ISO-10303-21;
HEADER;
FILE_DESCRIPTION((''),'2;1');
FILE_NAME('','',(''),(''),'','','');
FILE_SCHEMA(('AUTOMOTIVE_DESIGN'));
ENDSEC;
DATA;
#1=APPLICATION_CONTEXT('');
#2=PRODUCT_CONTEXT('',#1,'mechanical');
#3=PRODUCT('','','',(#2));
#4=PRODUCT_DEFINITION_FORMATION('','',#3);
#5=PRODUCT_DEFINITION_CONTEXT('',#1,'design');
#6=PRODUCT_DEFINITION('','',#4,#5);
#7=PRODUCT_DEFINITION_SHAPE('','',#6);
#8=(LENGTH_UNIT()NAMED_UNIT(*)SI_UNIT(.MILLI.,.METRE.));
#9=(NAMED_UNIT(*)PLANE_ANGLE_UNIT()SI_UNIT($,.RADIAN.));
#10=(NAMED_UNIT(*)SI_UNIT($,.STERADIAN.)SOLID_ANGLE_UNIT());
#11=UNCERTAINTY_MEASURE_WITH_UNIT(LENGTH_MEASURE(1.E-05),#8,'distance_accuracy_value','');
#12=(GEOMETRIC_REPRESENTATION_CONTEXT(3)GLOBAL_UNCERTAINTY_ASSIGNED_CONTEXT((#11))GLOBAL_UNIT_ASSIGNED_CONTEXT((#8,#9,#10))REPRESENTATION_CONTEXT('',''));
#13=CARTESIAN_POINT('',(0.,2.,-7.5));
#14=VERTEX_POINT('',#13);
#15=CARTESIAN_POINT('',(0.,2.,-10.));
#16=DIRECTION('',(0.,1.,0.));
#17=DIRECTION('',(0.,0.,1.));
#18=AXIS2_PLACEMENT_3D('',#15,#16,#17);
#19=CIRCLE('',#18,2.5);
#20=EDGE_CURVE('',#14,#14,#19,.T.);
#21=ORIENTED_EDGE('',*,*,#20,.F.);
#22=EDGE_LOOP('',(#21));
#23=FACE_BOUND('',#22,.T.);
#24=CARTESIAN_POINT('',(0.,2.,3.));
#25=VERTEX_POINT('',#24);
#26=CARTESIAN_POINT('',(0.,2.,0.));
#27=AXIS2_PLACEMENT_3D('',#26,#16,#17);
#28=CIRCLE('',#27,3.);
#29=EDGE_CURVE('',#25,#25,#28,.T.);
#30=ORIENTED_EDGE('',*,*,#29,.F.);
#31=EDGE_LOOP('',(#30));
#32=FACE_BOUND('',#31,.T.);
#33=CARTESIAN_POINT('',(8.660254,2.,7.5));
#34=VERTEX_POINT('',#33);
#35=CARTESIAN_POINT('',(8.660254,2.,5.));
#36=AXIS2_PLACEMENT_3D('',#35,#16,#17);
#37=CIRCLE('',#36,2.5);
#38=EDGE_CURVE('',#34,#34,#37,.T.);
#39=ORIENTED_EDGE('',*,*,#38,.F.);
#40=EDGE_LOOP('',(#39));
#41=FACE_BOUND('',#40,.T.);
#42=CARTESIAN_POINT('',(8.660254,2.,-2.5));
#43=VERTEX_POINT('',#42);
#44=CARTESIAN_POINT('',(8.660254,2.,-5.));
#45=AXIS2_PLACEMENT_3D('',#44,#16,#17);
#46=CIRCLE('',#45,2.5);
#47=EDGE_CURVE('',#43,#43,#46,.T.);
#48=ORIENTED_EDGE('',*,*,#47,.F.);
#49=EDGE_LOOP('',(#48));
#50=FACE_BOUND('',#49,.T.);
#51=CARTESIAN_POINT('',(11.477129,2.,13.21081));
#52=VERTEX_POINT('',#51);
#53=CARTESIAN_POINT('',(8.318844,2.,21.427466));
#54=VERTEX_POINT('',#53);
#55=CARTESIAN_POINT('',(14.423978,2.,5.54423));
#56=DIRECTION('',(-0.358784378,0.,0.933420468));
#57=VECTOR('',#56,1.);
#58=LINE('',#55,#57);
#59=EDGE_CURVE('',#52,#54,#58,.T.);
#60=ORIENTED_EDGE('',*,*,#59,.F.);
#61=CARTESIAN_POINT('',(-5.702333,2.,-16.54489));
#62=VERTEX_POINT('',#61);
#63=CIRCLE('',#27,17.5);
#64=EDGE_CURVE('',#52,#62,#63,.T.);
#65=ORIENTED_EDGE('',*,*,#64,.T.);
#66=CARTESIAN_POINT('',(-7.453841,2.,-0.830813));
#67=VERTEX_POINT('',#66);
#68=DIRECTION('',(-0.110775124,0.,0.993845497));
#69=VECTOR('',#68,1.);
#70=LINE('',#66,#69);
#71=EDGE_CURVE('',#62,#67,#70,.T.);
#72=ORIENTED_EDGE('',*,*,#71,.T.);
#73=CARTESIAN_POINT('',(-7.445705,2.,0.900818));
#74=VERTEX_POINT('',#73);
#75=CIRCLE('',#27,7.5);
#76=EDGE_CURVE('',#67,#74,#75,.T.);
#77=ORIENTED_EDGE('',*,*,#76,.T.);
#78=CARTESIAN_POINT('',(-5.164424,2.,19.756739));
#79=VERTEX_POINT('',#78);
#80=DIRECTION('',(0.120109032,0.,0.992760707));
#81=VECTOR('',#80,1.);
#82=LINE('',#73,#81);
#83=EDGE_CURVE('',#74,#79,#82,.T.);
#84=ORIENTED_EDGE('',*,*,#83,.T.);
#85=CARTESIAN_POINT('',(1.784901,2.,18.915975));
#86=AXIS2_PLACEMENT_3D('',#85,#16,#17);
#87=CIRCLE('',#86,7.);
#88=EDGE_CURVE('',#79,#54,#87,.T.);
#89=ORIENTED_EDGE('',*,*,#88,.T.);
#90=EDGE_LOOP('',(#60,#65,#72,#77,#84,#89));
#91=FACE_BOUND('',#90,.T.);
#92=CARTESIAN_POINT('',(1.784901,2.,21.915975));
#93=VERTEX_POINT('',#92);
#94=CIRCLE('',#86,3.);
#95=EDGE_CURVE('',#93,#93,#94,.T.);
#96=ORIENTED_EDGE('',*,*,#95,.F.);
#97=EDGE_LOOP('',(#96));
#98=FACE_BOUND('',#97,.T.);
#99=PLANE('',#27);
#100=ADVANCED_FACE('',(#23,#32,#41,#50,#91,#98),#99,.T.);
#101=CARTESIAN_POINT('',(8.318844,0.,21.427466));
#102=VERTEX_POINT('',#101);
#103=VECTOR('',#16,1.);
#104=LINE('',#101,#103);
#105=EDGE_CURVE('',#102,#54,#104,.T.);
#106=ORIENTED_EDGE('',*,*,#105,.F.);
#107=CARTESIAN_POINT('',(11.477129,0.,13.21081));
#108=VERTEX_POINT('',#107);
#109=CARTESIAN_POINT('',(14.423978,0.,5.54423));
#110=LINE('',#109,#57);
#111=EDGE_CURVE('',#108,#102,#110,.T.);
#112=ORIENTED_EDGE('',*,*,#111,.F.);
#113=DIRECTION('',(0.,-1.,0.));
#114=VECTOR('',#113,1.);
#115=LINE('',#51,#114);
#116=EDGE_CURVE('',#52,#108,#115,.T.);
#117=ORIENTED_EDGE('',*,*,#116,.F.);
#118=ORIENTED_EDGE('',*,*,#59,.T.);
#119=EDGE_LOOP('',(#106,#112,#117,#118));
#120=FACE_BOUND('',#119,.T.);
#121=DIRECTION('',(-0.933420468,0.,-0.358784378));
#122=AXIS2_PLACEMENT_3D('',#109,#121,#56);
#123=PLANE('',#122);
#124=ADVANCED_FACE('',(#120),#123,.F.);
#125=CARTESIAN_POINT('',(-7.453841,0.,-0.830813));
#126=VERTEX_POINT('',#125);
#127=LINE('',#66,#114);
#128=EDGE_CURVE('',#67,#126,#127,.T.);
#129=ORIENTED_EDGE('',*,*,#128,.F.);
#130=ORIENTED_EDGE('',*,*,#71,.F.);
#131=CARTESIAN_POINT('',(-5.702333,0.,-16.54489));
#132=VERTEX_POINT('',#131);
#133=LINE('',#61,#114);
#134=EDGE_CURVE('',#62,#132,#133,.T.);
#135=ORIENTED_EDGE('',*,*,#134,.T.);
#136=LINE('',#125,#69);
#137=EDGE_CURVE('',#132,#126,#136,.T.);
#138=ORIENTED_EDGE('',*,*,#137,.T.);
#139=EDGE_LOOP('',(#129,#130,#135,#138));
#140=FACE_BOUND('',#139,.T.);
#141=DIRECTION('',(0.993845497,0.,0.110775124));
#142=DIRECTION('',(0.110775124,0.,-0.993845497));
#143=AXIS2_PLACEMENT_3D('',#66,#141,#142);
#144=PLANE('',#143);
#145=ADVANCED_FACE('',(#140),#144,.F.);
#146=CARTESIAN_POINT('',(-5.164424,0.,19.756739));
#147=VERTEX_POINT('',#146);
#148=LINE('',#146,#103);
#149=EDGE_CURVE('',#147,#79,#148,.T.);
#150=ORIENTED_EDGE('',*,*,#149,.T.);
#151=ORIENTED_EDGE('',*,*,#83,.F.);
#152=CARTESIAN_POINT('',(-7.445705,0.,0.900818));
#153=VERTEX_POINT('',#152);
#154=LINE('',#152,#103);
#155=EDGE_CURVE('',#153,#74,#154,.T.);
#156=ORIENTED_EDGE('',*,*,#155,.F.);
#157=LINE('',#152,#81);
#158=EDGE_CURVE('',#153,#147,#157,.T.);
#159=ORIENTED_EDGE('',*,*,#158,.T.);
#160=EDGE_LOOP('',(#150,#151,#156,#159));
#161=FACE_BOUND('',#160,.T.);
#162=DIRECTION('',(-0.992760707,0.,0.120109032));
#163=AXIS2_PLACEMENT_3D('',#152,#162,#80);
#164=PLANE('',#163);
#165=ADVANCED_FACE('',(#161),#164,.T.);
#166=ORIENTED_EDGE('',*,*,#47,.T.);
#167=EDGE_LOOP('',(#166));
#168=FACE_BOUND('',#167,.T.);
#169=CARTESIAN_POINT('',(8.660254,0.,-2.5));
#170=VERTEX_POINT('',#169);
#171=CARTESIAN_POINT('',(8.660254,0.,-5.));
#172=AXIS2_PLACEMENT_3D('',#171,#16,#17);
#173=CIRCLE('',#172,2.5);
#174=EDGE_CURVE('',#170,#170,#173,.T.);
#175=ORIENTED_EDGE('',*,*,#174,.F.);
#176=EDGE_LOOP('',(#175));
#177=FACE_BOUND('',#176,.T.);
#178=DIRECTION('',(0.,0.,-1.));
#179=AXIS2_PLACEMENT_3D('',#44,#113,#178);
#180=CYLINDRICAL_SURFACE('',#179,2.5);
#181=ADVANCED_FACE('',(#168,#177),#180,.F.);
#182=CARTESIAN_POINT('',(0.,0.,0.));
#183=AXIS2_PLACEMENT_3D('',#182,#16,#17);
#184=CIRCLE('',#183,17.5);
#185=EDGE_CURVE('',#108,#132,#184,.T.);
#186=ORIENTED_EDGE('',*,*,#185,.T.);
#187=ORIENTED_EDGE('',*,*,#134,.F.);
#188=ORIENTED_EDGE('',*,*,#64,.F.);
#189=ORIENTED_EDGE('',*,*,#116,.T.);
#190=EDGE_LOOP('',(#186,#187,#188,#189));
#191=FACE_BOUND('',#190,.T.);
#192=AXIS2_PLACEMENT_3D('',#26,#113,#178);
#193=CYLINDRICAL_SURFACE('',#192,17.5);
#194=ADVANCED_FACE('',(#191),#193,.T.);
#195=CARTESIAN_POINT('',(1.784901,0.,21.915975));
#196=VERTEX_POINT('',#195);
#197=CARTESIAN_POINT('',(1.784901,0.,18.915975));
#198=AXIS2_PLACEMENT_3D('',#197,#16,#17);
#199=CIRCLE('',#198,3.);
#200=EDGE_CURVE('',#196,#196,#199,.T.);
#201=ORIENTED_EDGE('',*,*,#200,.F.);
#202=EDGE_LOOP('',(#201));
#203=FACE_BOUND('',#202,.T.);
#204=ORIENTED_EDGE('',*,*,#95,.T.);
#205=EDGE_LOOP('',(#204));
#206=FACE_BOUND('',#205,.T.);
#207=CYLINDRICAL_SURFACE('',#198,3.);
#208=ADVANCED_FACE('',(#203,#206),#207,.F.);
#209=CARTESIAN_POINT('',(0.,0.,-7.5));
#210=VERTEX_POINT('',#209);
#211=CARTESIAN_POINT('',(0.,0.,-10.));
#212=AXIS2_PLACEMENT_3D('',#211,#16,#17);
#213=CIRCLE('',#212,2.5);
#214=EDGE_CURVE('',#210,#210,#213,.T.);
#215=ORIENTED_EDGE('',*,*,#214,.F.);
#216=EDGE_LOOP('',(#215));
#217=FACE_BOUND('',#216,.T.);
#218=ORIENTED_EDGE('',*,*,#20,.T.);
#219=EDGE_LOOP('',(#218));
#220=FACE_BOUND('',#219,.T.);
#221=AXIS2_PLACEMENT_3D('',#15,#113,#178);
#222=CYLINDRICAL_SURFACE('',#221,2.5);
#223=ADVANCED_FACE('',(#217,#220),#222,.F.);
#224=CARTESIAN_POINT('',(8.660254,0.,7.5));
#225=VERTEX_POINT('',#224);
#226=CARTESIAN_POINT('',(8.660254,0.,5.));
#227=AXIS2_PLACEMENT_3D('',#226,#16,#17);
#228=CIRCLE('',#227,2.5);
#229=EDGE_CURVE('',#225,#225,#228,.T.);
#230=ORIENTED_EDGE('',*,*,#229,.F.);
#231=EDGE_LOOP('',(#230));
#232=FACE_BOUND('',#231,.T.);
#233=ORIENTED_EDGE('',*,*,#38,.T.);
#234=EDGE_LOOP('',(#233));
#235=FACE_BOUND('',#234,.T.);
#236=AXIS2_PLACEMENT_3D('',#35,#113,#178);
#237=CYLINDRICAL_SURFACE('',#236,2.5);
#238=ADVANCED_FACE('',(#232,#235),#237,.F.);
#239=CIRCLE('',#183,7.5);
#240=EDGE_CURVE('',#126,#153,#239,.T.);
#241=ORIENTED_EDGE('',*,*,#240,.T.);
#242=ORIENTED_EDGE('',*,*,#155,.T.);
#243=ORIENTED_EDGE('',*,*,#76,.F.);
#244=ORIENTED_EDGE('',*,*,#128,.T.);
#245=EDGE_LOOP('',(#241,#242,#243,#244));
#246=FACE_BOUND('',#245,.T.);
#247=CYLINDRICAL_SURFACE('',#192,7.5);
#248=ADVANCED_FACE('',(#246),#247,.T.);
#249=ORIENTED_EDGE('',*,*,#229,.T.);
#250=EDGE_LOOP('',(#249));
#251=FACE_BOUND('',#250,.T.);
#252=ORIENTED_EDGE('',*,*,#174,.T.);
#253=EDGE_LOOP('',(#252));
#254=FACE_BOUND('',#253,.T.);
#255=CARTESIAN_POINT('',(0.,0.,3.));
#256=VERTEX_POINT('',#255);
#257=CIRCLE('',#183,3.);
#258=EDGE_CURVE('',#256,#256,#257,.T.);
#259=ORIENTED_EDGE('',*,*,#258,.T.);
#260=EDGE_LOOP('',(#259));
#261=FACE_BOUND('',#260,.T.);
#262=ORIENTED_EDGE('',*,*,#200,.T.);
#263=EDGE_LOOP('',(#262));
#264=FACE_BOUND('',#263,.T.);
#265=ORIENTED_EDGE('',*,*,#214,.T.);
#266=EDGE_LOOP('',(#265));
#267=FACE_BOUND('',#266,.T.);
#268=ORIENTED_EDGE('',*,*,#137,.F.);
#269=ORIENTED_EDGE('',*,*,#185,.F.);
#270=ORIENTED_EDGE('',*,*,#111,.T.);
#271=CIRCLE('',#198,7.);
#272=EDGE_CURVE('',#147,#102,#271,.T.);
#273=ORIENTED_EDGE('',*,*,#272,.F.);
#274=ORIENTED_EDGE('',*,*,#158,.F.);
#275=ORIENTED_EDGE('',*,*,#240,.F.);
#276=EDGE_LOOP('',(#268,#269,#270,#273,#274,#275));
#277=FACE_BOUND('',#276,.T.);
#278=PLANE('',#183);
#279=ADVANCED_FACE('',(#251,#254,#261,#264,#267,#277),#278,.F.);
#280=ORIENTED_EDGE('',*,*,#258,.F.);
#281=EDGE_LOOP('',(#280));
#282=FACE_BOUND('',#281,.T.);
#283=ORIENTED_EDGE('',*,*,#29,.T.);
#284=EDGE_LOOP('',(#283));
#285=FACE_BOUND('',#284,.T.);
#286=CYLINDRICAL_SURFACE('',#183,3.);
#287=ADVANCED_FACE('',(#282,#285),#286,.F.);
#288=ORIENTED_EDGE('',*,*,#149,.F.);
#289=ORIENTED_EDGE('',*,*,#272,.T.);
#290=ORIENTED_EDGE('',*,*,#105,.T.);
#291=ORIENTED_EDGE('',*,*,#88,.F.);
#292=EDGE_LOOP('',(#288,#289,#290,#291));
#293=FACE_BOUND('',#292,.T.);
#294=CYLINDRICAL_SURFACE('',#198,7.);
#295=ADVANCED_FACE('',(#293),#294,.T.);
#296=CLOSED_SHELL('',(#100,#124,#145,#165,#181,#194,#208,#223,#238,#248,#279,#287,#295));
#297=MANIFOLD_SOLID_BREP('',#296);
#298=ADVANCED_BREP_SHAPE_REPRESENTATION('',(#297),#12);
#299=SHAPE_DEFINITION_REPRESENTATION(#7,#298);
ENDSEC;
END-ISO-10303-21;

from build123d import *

# Parameters (mm, degrees)
SKETCH_1_R          = 7.5
EXTRUDE_1_DEPTH     = 2
EXTRUDE_START       = -2
SKETCH_2_R          = 3
EXTRUDE_2_DEPTH     = 2
SKETCH_3_R          = 3
CUT_EXTRUDE_1_DEPTH = 2


with BuildPart() as part:
    # 草图1 → 凸台-拉伸1 (new body)
    # profile 1 of 2: a face of its own
    with BuildSketch(Plane(origin=(0, 0, 0), x_dir=(1, 0, 0), z_dir=(0, 1, 0))):
        Circle(SKETCH_1_R)
    # profile 2 of 2: a face of its own
    with BuildSketch(Plane(origin=(0, 0, 0), x_dir=(1, 0, 0), z_dir=(0, 1, 0))):
        with BuildLine():
            ThreePointArc((17.5, 0), (10.160196291, 14.248523128), (-5.702332724, 16.544890495))
            Line((-5.702332724, 16.544890495), (-7.453841227, 0.830813432))
            ThreePointArc((-7.453841227, 0.830813432), (-5.000944874, 5.589324679), (0, 7.5))
            ThreePointArc((0, 7.5), (3.750000007, 6.495190524), (6.495190536, 3.749999986))
            ThreePointArc((6.495190536, 3.749999986), (7.244443699, 1.94114283), (7.5, 0))
            ThreePointArc((7.5, 0), (7.244443692, -1.941142857), (6.495190509, -3.750000034))
            ThreePointArc((6.495190509, -3.750000034), (2.340024706, -7.125607649), (-3.007415076, -6.870622574))
            Line((-3.007415076, -6.870622574), (11.47712911, -13.210810248))
            ThreePointArc((11.47712911, -13.210810248), (15.923249659, -7.25948485), (17.5, 0))
        make_face()
        with BuildLine():
            ThreePointArc((11.160254038, -5), (8.013206444, -7.414814571), (6.495190509, -3.750000034))
            ThreePointArc((6.495190509, -3.750000034), (9.307301631, -2.585185429), (11.160254038, -5))
        make_face(mode=Mode.SUBTRACT)
        with BuildLine():
            ThreePointArc((11.160254038, 5), (9.307301658, 2.585185436), (6.495190536, 3.749999986))
            ThreePointArc((6.495190536, 3.749999986), (8.013206417, 7.414814564), (11.160254038, 5))
        make_face(mode=Mode.SUBTRACT)
        with BuildLine():
            ThreePointArc((2.5, 10), (1.767766953, 8.232233047), (0, 7.5))
            ThreePointArc((0, 7.5), (-1.767766953, 11.767766953), (2.5, 10))
        make_face(mode=Mode.SUBTRACT)
    extrude(amount=EXTRUDE_1_DEPTH)

    # 草图2 → 凸台-拉伸2 (add)
    with BuildSketch(Plane(origin=(0, 2, 0), x_dir=(1, 0, 0), z_dir=(0, 1, 0)).offset(EXTRUDE_START)):
        with BuildLine():
            ThreePointArc((-3.007415076, -6.870622574), (-6.018851538, -4.474754313), (-7.445705299, -0.90081774))
            Line((-7.445705299, -0.90081774), (-5.164424019, -19.756738712))
            ThreePointArc((-5.164424019, -19.756738712), (0.924105936, -25.862847589), (8.318844201, -21.427466138))
            Line((8.318844201, -21.427466138), (11.47712911, -13.210810248))
            Line((11.47712911, -13.210810248), (-3.007415076, -6.870622574))
        make_face()
        with Locations(Location((1.784900926, -18.915975489, 0), (0, 0, 270))):
            Circle(SKETCH_2_R, mode=Mode.SUBTRACT)
    extrude(amount=EXTRUDE_2_DEPTH)

    # 草图3 → 切除-拉伸1 (cut)
    with BuildSketch(Plane(origin=(0, 2, 0), x_dir=(1, 0, 0), z_dir=(0, 1, 0))):
        with Locations(Location((0, 0, 0), (0, 0, 270))):
            Circle(SKETCH_3_R)
    extrude(amount=-CUT_EXTRUDE_1_DEPTH, mode=Mode.SUBTRACT)


solid = part.part
